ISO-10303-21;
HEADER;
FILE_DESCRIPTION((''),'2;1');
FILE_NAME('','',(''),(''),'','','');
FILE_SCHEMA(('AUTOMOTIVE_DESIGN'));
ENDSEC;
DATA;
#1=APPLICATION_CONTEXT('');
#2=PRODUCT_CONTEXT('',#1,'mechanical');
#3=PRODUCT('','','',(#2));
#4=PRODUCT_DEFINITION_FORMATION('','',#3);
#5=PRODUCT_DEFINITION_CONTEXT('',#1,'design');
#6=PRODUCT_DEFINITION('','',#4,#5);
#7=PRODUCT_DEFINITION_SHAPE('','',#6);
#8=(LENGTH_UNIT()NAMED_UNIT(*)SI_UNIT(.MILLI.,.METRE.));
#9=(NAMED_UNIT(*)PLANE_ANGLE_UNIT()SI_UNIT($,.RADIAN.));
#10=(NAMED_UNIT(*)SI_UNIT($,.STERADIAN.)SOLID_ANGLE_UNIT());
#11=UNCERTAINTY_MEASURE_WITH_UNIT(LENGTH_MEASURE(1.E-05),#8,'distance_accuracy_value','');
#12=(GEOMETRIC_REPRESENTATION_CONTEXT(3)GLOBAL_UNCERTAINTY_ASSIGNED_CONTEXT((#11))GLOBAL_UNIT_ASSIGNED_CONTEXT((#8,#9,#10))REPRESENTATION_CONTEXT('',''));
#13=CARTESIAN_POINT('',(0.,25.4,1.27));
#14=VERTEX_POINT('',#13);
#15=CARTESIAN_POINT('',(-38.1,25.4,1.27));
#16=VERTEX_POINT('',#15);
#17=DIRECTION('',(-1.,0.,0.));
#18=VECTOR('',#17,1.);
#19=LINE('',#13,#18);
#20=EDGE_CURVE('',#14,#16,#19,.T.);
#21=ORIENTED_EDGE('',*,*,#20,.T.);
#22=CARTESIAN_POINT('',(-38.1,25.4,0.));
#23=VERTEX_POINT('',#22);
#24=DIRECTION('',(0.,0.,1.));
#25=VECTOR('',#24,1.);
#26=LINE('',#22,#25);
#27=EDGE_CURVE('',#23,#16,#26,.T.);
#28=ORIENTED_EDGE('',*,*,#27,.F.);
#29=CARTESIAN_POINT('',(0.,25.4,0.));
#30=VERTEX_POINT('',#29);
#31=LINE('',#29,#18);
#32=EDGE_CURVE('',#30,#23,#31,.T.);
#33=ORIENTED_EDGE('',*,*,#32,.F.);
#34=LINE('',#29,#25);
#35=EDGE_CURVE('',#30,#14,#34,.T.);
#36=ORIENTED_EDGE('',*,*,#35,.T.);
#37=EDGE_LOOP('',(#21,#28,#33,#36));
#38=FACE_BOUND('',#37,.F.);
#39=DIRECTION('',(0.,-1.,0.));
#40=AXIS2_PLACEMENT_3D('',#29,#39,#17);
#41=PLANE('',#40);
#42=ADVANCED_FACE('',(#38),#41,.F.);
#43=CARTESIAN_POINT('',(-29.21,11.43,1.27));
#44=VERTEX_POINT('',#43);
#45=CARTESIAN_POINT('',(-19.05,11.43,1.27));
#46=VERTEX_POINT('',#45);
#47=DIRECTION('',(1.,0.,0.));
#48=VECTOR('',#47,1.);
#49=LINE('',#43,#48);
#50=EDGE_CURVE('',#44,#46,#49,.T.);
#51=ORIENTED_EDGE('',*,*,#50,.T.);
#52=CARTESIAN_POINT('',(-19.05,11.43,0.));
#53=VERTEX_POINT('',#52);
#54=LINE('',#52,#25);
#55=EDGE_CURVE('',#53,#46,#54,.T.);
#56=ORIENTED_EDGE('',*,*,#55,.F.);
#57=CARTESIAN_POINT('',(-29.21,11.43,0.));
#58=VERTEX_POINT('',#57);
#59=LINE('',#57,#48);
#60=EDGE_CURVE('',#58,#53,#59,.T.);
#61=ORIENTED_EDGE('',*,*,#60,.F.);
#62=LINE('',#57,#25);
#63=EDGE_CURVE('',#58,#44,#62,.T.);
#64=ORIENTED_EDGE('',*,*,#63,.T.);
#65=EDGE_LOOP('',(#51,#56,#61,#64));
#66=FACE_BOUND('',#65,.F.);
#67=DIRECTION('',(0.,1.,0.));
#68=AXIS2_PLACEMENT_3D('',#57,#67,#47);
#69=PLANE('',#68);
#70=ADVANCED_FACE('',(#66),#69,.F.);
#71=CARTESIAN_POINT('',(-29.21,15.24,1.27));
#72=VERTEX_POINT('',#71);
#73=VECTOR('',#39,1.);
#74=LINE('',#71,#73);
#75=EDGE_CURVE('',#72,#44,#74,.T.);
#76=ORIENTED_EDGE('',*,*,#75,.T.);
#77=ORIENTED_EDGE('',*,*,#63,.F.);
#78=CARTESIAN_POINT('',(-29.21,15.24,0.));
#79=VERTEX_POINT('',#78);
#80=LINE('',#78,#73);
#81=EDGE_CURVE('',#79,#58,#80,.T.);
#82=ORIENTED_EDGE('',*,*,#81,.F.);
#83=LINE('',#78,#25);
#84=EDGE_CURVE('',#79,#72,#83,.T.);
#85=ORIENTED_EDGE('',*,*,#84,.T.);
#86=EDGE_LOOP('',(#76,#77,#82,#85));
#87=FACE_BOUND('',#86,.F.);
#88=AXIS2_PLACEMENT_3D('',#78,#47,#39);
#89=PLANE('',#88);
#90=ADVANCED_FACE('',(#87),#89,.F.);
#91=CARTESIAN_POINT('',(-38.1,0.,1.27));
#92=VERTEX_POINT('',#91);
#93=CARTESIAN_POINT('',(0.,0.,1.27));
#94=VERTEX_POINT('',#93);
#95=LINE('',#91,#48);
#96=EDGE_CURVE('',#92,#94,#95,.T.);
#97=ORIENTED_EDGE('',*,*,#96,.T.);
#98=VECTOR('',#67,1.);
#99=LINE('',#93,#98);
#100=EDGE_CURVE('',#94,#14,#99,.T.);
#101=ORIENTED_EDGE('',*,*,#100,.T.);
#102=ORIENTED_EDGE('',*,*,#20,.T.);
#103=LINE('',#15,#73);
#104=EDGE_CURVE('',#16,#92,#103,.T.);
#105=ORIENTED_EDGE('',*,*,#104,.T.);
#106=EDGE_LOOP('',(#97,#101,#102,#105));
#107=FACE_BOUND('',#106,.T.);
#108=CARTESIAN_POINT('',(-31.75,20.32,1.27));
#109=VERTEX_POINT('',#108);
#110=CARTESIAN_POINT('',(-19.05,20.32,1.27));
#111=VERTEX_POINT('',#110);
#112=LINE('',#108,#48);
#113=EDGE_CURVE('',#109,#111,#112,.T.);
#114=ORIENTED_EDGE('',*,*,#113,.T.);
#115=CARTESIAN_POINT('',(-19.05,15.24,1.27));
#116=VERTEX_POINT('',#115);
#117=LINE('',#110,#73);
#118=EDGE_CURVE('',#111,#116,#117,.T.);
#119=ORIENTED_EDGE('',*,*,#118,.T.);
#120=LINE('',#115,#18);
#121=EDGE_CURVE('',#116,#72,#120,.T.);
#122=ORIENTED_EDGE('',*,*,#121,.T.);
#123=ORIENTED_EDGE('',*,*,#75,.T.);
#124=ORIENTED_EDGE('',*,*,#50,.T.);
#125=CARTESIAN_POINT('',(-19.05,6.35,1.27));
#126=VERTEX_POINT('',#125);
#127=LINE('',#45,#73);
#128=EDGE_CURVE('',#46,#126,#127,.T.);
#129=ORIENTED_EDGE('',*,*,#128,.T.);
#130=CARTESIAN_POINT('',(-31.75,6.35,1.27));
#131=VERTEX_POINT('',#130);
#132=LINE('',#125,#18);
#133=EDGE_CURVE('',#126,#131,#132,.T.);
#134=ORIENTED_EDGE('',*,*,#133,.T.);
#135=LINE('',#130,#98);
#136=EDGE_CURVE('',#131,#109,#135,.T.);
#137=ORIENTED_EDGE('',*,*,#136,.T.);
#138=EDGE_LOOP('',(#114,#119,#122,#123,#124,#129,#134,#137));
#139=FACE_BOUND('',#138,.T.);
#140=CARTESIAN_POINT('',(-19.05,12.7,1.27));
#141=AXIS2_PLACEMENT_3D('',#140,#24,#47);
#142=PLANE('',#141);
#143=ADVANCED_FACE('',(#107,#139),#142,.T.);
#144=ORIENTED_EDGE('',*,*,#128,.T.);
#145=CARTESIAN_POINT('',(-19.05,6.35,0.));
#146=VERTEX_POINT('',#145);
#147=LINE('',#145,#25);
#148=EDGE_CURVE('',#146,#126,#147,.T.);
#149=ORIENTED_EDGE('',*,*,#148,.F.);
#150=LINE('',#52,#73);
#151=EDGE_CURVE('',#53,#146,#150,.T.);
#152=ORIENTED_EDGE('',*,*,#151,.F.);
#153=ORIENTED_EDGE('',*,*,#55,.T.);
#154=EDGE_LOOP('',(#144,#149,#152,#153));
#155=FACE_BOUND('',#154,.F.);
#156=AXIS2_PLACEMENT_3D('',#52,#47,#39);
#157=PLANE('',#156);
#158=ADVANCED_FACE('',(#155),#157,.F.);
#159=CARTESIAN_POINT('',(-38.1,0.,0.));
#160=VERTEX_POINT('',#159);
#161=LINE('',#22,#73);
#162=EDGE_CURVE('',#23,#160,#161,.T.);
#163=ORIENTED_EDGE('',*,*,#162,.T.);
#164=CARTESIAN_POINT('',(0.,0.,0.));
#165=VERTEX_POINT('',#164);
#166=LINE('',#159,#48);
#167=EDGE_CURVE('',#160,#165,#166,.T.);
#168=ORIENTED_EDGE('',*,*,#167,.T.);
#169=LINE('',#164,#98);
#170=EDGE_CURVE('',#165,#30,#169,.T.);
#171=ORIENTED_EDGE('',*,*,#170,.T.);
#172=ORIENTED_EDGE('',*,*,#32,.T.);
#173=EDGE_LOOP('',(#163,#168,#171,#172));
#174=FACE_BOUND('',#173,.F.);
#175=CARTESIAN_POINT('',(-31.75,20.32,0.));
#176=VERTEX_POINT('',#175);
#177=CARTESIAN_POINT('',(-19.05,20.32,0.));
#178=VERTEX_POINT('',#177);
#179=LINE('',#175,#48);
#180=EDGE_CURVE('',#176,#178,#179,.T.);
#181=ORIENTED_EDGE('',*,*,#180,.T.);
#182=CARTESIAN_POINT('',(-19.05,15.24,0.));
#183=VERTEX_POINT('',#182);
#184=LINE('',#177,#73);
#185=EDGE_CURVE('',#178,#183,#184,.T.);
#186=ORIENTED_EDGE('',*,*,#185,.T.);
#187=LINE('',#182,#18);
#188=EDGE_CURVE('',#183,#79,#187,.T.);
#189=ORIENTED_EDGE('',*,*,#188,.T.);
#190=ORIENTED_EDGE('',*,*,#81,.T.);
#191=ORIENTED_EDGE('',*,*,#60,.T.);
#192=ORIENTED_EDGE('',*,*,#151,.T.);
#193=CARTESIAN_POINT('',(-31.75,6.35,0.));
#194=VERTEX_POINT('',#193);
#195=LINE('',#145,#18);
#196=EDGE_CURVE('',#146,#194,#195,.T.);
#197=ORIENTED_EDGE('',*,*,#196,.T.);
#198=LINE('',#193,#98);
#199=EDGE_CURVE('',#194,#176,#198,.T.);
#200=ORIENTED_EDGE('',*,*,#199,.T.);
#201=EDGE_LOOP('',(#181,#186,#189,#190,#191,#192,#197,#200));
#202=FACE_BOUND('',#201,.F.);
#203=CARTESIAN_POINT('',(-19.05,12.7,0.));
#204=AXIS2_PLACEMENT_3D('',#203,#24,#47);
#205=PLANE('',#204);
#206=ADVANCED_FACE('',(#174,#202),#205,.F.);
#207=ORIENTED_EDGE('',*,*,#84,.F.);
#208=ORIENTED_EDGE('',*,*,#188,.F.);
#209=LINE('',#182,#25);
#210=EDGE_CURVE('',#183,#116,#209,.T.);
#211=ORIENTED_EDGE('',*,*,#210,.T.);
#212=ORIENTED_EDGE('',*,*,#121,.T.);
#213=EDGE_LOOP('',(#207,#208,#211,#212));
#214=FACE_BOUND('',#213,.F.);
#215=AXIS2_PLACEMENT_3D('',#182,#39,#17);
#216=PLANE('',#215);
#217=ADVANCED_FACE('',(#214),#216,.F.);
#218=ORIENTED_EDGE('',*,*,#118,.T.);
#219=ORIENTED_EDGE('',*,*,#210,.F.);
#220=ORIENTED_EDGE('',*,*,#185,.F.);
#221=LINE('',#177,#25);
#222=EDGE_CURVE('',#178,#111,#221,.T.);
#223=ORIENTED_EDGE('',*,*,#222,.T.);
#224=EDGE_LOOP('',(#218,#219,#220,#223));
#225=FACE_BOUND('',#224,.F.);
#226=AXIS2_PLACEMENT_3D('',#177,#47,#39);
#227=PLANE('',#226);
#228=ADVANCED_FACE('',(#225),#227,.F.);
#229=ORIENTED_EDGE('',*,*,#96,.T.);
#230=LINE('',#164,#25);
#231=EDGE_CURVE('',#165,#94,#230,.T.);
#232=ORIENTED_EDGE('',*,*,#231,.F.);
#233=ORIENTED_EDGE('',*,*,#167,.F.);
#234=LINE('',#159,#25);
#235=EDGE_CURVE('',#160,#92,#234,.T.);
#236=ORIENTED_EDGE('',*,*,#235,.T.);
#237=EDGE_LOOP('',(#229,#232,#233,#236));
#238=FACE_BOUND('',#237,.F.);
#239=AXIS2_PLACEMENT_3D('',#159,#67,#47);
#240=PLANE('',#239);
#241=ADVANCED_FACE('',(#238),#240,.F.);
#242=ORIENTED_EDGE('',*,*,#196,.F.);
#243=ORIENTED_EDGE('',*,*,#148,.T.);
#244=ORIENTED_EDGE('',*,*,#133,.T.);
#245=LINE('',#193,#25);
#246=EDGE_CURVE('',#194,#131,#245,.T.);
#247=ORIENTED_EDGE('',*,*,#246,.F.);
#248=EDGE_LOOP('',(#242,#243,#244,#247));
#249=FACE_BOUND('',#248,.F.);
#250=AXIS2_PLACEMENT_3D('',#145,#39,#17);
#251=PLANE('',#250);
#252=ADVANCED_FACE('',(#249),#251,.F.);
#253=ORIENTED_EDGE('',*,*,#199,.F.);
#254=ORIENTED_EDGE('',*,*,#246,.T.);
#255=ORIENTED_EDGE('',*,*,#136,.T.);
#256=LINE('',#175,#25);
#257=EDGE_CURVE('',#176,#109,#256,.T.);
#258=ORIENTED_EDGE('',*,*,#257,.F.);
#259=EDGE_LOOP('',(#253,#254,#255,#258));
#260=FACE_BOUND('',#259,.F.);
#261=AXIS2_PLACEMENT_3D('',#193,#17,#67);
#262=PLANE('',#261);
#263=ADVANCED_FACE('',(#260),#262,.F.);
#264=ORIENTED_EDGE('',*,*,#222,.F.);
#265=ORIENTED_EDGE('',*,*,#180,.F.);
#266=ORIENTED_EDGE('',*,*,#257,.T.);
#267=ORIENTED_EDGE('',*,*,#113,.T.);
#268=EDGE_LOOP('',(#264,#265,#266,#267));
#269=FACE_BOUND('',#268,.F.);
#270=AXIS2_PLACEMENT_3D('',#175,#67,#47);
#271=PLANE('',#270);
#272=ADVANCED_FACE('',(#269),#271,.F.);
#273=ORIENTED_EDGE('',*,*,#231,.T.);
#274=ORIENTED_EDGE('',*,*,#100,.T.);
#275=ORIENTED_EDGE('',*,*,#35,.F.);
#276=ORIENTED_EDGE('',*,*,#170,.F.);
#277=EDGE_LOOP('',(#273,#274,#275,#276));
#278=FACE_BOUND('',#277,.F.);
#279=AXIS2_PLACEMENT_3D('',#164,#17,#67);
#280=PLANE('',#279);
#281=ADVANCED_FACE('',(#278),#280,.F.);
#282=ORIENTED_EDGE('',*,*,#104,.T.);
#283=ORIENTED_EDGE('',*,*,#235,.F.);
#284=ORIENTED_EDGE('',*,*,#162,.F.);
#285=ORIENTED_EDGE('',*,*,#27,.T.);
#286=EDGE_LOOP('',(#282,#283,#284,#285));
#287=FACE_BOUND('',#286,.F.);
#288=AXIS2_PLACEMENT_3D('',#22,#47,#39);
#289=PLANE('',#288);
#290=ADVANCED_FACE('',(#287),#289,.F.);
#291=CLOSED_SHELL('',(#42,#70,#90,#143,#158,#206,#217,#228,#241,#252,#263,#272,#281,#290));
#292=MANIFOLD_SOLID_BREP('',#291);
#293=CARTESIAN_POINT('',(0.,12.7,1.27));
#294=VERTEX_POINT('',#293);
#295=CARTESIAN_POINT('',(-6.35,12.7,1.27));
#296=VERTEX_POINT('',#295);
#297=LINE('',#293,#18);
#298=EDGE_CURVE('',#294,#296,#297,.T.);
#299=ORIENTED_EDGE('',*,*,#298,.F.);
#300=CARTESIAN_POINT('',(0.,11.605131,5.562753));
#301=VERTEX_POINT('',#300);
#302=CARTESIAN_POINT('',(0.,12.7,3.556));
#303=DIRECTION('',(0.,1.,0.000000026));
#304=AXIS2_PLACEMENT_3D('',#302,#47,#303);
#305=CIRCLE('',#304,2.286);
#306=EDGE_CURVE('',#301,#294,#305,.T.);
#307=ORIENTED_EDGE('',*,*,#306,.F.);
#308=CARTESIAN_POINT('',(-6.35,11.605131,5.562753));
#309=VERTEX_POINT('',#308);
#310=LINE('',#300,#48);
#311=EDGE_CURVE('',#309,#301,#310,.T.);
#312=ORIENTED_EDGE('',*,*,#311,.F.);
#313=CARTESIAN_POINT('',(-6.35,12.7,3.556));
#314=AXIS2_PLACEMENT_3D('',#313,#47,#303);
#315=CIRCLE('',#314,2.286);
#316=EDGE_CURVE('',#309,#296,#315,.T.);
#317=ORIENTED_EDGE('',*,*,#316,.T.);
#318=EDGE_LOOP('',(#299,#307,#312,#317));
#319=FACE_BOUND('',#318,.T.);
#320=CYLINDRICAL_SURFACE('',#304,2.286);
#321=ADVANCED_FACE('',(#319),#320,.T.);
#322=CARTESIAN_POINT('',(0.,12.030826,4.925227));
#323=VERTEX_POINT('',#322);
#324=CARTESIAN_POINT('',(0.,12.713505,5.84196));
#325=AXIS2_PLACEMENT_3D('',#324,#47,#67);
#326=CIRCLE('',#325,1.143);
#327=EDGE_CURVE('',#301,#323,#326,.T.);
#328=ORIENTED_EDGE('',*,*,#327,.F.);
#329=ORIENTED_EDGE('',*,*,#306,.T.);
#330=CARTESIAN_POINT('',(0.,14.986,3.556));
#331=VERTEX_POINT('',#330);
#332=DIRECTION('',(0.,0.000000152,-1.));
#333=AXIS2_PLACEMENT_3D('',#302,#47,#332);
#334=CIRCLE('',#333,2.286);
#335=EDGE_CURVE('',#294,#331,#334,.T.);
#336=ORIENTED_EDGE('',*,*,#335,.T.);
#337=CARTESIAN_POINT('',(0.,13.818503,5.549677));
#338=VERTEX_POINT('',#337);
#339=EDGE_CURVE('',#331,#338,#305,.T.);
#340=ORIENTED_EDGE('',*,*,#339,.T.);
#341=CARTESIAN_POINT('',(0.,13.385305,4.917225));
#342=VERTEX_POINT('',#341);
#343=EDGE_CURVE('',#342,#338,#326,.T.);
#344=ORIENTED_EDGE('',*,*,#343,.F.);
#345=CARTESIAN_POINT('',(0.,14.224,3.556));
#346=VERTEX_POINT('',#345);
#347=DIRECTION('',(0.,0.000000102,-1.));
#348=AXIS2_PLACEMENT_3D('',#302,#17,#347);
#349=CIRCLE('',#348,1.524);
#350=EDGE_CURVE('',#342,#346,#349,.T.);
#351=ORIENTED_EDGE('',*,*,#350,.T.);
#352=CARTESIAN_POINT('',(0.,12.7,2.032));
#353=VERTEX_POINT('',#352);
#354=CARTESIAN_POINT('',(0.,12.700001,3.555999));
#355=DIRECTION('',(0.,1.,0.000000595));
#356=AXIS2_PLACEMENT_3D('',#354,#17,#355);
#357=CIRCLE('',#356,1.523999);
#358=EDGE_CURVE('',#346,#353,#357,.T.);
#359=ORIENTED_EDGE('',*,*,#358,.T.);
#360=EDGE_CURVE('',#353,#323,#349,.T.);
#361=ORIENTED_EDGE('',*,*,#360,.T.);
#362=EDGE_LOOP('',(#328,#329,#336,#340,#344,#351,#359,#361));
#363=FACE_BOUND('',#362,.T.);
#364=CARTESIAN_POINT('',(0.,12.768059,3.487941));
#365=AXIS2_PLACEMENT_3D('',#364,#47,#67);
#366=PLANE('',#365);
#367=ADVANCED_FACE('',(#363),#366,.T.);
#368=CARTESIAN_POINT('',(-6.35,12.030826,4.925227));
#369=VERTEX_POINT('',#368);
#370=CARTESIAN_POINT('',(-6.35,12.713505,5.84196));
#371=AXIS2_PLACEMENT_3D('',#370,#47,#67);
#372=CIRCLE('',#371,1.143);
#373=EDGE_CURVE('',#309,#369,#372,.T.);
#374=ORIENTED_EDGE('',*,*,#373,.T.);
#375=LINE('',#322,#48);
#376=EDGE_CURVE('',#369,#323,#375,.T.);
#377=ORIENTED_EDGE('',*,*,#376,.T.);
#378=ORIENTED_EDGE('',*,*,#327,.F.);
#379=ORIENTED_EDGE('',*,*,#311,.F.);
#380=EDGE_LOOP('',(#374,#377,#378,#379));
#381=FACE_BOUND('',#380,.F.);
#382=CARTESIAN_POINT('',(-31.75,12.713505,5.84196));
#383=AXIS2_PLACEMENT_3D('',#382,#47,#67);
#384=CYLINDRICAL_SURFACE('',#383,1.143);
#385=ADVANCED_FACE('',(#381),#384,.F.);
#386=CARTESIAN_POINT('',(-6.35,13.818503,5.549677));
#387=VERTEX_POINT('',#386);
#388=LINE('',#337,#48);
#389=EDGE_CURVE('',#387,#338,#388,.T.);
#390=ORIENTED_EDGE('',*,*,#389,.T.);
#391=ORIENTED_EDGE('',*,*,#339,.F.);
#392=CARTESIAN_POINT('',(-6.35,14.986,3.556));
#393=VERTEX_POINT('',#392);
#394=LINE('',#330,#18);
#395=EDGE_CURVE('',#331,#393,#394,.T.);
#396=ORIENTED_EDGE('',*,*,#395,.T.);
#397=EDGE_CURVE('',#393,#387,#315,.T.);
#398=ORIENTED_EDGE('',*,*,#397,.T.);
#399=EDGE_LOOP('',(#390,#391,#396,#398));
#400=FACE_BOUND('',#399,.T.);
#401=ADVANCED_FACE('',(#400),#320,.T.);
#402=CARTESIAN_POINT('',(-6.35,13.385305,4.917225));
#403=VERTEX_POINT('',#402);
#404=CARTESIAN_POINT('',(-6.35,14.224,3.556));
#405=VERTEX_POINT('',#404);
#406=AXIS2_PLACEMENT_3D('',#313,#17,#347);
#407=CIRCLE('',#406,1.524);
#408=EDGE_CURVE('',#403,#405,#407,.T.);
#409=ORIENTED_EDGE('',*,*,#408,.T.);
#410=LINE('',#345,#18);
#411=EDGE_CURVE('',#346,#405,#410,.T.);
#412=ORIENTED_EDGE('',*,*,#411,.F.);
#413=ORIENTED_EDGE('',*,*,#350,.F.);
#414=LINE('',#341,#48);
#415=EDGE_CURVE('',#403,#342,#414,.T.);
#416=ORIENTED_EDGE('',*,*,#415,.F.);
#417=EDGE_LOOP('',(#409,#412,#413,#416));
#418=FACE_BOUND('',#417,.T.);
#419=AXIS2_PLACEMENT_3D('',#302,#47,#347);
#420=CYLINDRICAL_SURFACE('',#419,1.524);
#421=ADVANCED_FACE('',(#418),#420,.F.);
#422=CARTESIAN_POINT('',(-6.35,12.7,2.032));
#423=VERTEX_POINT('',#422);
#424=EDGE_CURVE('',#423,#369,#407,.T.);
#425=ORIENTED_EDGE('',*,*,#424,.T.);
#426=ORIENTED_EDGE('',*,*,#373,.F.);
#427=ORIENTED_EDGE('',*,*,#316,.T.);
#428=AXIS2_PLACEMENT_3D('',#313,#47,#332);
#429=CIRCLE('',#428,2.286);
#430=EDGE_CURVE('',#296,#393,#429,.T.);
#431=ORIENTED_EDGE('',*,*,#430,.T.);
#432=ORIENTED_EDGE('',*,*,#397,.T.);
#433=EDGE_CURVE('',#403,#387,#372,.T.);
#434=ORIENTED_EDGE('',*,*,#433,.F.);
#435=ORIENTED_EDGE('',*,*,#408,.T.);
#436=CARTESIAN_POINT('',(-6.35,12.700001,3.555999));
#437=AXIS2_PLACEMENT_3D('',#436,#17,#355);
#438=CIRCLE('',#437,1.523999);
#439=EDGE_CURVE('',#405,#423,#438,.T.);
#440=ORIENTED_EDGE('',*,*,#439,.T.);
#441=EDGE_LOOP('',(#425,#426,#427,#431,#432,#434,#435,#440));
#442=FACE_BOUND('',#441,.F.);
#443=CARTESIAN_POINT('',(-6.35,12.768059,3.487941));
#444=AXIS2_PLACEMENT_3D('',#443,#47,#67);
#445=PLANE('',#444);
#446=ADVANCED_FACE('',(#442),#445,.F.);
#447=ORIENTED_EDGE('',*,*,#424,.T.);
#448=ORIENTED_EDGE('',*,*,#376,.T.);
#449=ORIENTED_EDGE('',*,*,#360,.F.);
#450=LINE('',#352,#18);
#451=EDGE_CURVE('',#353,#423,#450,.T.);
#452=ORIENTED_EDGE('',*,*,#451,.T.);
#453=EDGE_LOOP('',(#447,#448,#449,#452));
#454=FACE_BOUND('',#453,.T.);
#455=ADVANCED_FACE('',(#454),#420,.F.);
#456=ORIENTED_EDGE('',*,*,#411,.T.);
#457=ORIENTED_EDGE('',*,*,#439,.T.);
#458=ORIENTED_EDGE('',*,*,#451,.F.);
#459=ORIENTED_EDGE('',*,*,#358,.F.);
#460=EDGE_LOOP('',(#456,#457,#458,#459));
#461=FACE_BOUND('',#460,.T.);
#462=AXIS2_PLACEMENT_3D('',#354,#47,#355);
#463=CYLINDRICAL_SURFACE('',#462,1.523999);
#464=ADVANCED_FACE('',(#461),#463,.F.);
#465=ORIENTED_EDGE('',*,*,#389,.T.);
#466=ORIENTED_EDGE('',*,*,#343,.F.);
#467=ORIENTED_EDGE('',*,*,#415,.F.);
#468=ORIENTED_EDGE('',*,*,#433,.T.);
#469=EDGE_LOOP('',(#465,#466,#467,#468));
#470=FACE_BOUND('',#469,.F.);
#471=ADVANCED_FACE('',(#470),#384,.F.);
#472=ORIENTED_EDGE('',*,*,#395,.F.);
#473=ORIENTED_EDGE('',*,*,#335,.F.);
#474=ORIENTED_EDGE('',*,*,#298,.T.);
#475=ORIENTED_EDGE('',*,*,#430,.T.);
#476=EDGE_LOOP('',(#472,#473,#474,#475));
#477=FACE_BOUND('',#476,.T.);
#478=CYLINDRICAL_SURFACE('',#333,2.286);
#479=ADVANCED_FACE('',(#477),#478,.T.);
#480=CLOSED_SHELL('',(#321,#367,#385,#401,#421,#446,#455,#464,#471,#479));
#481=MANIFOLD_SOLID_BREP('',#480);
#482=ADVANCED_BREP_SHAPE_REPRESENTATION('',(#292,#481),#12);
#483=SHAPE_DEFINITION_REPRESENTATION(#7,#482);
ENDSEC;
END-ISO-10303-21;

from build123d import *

# Parameters (mm, degrees)
F1_DEPTH = 1.27
F3_DEPTH = 6.35
F5_D     = 2.286
F5_DEPTH = 25.4


with BuildPart() as f1:
    # F0 (on Top) → F1 (new body)
    with BuildSketch(Plane.XY):
        Polygon((-25.4, 0), (0, 0), (0, 25.4), (-25.4, 25.4), (-38.1, 25.4), (-38.1, 0), align=None)
        Polygon((-31.75, 20.32), (-25.4, 20.32), (-19.05, 20.32), (-19.05, 15.24), (-29.21, 15.24), (-29.21, 11.43), (-19.05, 11.43), (-19.05, 6.35), (-25.4, 6.35), (-31.75, 6.35), align=None, mode=Mode.SUBTRACT)
    extrude(amount=F1_DEPTH)


with BuildPart() as f3:
    # F2 (on Right) → F3 (new body)
    with BuildSketch(Plane.YZ):
        with BuildLine():
            ThreePointArc((14.224, 3.556), (11.622369, 4.633631), (12.7, 2.032))
            ThreePointArc((12.7, 2.032), (13.777631, 2.478369), (14.224, 3.556))
        make_face()
        with BuildLine():
            ThreePointArc((14.986, 3.556), (11.083554, 5.172446), (12.7, 1.27))
            ThreePointArc((12.7, 1.27), (14.316446, 1.939554), (14.986, 3.556))
        make_face()
        with BuildLine():
            ThreePointArc((14.224, 3.556), (13.777631, 2.478369), (12.7, 2.032))
            ThreePointArc((12.7, 2.032), (11.622369, 4.633631), (14.224, 3.556))
        make_face(mode=Mode.SUBTRACT)
    extrude(amount=-F3_DEPTH)

    # F5
    with Locations(Plane(origin=(-6.35, 0, 0), x_dir=(0, -1, 0), z_dir=(-1, 0, 0))):
        with Locations((-12.713505, 5.84196)):
            Hole(F5_D / 2, depth=F5_DEPTH)


solid = Compound([f1.part, f3.part])
